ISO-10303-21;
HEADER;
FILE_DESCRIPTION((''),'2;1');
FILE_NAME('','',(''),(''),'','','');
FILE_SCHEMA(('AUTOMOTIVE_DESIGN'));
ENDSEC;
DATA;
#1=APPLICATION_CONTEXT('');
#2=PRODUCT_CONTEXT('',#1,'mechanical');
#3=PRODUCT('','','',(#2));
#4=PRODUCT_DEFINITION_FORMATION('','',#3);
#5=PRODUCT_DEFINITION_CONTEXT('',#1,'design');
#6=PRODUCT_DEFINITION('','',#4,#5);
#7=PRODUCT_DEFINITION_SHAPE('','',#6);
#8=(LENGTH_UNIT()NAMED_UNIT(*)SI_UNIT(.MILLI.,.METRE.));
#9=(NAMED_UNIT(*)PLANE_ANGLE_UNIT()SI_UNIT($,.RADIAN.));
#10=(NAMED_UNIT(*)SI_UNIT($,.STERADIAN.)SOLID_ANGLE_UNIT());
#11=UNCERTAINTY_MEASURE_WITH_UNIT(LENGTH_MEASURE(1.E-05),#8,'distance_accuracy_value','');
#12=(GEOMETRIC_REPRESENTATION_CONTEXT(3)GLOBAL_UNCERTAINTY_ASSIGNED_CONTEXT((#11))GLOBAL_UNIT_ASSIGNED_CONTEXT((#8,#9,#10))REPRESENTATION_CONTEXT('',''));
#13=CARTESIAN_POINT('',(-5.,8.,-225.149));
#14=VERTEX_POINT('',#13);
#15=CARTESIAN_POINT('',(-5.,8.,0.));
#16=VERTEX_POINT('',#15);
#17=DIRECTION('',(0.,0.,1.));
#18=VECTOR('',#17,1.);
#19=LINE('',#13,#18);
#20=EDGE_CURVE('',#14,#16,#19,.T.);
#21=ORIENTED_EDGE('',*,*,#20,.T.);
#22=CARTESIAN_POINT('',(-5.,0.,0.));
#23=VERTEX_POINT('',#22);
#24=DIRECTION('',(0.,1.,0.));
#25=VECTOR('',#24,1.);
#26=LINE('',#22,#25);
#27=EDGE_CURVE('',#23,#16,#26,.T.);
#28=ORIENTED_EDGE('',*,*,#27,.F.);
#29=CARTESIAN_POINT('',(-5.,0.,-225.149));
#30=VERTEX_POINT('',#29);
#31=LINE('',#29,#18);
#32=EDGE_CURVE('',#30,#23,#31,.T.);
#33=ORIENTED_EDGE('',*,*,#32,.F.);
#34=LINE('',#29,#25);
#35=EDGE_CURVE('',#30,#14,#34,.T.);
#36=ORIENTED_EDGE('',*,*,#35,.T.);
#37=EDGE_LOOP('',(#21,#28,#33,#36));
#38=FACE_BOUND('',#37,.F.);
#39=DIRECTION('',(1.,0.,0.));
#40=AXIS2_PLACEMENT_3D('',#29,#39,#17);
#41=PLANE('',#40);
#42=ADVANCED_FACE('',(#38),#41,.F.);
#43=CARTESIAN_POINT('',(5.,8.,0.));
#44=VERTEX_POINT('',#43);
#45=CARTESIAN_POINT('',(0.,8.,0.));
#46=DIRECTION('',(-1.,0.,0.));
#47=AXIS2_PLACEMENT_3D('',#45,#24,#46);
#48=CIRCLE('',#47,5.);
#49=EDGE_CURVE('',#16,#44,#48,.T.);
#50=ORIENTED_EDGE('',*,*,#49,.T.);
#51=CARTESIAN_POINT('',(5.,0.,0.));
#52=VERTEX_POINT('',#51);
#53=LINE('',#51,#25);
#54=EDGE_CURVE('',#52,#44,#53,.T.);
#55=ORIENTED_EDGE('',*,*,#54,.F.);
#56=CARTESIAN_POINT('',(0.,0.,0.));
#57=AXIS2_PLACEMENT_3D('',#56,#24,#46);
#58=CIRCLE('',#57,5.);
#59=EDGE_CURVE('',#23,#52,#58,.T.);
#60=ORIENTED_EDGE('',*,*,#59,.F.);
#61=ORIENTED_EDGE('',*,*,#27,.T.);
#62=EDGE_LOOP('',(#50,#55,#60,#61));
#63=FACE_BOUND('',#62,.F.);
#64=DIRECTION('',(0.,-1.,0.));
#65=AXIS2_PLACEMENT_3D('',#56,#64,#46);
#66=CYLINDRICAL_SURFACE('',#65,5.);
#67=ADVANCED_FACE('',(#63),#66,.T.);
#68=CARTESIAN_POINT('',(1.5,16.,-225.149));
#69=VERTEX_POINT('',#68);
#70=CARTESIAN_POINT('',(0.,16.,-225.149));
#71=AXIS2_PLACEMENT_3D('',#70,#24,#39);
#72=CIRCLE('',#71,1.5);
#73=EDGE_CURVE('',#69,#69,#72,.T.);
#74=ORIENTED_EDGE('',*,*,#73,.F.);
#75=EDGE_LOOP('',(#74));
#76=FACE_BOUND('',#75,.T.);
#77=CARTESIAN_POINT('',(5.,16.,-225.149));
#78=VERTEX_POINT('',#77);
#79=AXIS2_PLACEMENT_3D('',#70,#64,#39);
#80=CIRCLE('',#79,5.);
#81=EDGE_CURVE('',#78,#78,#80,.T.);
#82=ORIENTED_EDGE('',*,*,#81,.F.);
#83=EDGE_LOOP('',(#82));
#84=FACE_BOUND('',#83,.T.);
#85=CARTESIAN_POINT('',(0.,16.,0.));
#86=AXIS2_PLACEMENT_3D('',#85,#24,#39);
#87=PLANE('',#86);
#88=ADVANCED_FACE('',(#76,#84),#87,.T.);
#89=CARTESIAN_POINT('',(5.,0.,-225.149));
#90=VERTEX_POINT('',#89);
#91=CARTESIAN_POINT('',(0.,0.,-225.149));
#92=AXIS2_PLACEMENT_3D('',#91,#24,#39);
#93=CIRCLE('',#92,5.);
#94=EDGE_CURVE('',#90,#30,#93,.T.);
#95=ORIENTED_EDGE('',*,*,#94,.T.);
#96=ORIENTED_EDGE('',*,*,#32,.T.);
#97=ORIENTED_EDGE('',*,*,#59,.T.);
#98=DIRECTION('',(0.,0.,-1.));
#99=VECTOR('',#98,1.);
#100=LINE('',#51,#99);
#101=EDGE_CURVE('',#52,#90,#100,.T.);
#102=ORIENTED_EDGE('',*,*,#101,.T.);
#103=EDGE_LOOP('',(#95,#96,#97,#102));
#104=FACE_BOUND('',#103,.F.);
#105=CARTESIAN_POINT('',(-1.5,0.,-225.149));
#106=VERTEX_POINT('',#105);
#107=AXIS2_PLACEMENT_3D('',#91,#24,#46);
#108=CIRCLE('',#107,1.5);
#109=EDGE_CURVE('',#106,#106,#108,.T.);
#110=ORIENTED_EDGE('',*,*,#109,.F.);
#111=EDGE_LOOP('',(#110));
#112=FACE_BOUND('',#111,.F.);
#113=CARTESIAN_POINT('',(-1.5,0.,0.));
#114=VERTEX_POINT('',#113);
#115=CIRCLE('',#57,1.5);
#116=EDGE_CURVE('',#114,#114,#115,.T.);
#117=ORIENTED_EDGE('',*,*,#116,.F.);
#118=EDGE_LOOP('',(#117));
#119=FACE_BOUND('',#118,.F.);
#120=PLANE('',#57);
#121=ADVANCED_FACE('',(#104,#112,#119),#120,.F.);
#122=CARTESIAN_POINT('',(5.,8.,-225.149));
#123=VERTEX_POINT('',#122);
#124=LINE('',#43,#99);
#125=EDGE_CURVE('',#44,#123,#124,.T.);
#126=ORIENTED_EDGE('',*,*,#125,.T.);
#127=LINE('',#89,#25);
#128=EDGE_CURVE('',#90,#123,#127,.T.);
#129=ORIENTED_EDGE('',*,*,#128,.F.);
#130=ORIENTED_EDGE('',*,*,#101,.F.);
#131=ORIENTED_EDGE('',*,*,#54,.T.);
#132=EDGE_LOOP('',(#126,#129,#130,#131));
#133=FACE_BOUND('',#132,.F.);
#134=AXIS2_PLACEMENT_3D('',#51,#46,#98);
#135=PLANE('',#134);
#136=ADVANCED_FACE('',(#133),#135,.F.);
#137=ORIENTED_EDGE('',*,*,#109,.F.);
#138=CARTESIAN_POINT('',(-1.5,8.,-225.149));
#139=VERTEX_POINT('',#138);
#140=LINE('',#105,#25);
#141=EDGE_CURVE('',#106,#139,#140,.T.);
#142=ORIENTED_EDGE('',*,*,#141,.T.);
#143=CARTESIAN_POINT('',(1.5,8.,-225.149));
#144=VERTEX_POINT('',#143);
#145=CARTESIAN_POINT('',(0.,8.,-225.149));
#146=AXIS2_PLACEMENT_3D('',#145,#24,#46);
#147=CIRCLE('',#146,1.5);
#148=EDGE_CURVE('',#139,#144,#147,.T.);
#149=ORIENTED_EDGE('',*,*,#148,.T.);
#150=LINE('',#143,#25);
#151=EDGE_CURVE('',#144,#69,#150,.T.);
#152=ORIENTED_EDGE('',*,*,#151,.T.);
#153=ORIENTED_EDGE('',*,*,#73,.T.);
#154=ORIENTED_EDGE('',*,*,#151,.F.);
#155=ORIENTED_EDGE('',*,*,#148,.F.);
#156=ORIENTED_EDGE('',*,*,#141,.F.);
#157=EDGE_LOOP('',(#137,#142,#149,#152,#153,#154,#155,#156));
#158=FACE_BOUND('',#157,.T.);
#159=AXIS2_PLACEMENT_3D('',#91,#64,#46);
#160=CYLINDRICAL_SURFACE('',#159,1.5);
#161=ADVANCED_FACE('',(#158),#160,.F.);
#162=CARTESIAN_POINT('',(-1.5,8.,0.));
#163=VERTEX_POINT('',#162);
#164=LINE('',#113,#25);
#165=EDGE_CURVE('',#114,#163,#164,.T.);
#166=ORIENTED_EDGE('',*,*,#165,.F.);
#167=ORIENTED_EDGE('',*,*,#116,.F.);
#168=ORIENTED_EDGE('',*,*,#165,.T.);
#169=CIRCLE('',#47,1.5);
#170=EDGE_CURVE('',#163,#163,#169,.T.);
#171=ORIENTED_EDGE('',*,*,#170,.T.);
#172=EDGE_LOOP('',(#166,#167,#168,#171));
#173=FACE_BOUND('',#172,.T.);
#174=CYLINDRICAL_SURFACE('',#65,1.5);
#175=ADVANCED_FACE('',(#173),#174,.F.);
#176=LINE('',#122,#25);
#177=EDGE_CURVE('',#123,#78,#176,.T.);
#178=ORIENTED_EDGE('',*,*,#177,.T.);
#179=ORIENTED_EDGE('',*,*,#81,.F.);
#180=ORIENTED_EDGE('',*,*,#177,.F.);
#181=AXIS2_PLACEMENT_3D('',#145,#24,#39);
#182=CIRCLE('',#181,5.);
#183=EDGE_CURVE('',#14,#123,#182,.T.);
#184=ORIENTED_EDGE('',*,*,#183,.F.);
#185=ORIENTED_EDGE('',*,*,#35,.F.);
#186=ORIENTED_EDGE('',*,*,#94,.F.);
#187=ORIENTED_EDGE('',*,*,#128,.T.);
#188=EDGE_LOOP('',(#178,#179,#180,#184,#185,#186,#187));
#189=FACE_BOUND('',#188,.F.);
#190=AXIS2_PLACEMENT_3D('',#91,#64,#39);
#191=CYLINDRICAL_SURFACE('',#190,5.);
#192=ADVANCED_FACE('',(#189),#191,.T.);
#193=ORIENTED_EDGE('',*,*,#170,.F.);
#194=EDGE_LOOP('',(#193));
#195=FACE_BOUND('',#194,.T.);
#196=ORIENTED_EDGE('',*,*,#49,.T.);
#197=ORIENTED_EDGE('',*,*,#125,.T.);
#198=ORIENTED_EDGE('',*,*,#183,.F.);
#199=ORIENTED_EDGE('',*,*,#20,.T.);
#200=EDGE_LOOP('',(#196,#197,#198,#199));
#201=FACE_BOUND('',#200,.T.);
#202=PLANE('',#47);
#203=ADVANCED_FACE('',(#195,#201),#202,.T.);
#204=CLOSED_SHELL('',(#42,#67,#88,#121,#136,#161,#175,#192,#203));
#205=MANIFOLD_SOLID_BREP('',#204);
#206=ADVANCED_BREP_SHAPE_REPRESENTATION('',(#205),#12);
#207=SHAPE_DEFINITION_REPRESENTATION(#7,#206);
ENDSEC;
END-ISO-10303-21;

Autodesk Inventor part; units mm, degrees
ref_plane "YZ Plane" through (0, 0, 0) normal (1, 0, 0) x (0, 1, 0)
ref_plane "XZ Plane" through (0, 0, 0) normal (0, 1, 0) x (-1, 0, 0)
ref_plane "XY Plane" through (0, 0, 0) normal (0, 0, 1) x (1, 0, 0)
sketch "Sketch1" plane through (0, 0, 0) normal (0, 1, 0) x (-1, 0, 0)
  line L0 (0, 0) -> (0, -225.149) construction
  line L1 (-5, 0) -> (-5, -225.149)
  line L2 (5, -225.149) -> (5, 0)
  arc A0 (5, 0) -> (-5, 0) centre (0, 0) ccw
  arc A1 (-5, -225.149) -> (5, -225.149) centre (0, -225.149) ccw
  circle A2 centre (0, 0) radius 1.5
  circle A3 centre (0, -225.149) radius 1.5
  point P0 (0, -112.5745)
  dimension "d0" = 225.149
  dimension "d1" = 10
  dimension "d2" = 3
  dimension "d3" = 3
extrude "Extrusion1" add sketch "Sketch1" along normal blind 8
sketch "Sketch2" plane through (0, 8, 0) normal (0, 1, 0) x (1, 0, 0)
  arc A0 (5, 225.149) -> (-5, 225.149) centre (0, 225.149) ccw projected
  line L0 (-5, 225.149) -> (-5, 0) projected
  arc A1 (-5, 0) -> (5, 0) centre (0, 0) ccw projected
  line L1 (5, 0) -> (5, 225.149) projected
  circle A2 centre (0, 225.149) radius 1.5 projected
  circle A3 centre (0, 0) radius 1.5 projected
  circle A4 centre (0, 225.149) radius 5
  point P0 (-5, 225.149)
  point P1 (5, 225.149)
  dimension "d12" = 10
extrude "Extrusion2" add sketch "Sketch2" along normal blind 8 contours A4 A0
sketch "Sketch3" plane through (0, 0, 0) normal (0, -1, 0) x (1, 0, 0)
  arc A0 (-5, -225.149) -> (5, -225.149) centre (0, -225.149) ccw projected
  line L0 (5, 0) -> (5, -225.149) projected
  arc A1 (5, 0) -> (-5, 0) centre (0, 0) ccw projected
  line L1 (-5, -225.149) -> (-5, 0) projected
  circle A2 centre (0, -225.149) radius 1.5 projected
  circle A3 centre (0, 0) radius 1.5 projected
